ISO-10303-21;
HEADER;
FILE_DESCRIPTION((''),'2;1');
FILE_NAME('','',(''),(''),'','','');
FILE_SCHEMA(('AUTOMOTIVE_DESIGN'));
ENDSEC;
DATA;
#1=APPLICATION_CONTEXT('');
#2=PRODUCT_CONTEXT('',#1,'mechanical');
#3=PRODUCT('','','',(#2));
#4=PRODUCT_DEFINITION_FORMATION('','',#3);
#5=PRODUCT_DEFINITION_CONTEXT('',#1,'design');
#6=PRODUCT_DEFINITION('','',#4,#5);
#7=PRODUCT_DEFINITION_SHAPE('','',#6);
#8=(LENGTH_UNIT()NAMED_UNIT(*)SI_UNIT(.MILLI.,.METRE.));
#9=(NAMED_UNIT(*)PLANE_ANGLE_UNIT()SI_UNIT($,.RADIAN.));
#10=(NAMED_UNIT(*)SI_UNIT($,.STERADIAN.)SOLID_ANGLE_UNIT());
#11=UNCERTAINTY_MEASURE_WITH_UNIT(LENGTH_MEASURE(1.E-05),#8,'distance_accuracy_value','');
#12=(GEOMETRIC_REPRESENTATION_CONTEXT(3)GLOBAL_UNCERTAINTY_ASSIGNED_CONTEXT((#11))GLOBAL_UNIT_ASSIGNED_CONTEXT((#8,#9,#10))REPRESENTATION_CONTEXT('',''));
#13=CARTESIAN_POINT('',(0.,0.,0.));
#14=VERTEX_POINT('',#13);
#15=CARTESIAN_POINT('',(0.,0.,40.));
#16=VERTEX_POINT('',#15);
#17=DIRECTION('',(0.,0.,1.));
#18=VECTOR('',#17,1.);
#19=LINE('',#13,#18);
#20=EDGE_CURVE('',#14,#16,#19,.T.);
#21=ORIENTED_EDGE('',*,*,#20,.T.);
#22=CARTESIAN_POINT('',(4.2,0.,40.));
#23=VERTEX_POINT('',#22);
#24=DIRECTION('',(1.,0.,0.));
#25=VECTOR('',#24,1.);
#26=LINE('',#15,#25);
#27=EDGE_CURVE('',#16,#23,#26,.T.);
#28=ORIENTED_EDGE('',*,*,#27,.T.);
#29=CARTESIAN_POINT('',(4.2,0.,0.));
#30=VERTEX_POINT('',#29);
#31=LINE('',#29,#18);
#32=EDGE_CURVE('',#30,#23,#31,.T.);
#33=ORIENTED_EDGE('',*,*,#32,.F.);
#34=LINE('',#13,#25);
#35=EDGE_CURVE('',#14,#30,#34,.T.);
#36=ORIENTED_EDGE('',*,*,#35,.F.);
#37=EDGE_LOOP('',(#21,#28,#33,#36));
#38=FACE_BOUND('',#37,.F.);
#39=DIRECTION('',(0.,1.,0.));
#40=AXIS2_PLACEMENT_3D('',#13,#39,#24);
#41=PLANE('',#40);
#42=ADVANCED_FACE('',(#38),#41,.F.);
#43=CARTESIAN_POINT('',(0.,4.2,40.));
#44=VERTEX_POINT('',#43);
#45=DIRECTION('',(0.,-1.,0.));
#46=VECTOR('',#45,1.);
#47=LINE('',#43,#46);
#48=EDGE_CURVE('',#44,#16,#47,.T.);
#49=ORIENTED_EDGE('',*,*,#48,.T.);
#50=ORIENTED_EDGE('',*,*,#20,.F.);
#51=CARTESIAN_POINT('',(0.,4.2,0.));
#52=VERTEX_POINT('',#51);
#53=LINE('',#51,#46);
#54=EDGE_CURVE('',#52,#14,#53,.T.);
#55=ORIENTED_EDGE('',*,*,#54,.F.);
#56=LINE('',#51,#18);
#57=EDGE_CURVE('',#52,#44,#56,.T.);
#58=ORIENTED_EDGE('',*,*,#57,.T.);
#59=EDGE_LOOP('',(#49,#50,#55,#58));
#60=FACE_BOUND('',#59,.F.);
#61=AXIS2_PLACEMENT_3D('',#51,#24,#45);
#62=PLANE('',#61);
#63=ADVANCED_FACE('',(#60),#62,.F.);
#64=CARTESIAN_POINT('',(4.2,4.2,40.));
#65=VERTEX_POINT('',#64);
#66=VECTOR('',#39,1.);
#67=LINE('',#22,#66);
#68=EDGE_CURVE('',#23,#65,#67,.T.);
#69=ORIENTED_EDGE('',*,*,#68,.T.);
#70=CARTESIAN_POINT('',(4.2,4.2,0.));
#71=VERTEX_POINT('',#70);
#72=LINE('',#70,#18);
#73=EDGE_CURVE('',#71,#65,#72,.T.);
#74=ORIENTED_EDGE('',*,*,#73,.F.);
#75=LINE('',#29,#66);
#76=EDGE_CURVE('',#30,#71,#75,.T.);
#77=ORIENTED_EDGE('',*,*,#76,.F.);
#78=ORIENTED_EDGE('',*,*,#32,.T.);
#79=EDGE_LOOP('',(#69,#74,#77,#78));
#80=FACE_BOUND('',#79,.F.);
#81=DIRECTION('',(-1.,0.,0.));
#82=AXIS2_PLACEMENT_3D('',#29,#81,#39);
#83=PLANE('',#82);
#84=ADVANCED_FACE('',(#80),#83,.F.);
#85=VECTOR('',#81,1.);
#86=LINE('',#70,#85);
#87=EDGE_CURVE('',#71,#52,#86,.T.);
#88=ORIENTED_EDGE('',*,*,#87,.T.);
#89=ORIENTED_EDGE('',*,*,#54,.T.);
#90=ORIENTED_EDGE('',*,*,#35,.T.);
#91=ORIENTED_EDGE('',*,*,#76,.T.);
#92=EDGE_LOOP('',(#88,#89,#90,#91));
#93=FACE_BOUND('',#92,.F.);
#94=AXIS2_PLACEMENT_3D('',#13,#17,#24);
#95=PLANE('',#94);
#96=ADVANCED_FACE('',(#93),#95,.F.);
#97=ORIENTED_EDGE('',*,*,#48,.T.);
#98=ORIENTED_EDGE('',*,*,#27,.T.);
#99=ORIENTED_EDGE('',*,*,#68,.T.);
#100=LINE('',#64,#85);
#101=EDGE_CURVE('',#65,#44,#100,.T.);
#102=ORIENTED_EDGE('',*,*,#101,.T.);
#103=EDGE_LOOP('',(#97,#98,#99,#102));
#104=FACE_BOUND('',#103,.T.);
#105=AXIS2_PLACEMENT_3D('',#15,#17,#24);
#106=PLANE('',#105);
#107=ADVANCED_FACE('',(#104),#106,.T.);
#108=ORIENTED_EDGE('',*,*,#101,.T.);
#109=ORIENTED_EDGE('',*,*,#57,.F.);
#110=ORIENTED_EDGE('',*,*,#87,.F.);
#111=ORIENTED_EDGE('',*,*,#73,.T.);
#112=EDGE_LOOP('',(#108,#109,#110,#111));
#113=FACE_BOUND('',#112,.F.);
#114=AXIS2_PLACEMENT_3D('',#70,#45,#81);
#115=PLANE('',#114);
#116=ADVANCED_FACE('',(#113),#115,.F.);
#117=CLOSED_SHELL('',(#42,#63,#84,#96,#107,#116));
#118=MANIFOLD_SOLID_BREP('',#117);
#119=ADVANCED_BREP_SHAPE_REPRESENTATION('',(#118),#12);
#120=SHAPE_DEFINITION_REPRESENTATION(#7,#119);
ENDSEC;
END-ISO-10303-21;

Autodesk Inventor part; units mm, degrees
ref_plane "YZ Plane" through (0, 0, 0) normal (1, 0, 0) x (0, 1, 0)
ref_plane "XZ Plane" through (0, 0, 0) normal (0, 1, 0) x (-1, 0, 0)
ref_plane "XY Plane" through (0, 0, 0) normal (0, 0, 1) x (1, 0, 0)
sketch "Boceto1" plane through (0, 0, 0) normal (0, 0, 1) x (1, 0, 0)
  line L0 (0, 0) -> (4.2, 0)
  line L1 (4.2, 0) -> (4.2, 4.2)
  line L2 (4.2, 4.2) -> (0, 4.2)
  line L3 (0, 4.2) -> (0, 0)
  dimension "d0" = 4.2
  dimension "d1" = 4.2
extrude "Extrusión1" add sketch "Boceto1" along normal blind 40
equation "\"d0\" = Ancho"
equation "\"d1\" = Largo"
equation "\"d2\" = Alto"
equation "\"Ancho\" = 4.2 * Escala"
equation "\"Largo\" = 4.2 * Escala"
equation "\"Alto\" = 40 * Escala"
equation "\"Escala\" = 1"
properties part number "Pines_parametrizado"
